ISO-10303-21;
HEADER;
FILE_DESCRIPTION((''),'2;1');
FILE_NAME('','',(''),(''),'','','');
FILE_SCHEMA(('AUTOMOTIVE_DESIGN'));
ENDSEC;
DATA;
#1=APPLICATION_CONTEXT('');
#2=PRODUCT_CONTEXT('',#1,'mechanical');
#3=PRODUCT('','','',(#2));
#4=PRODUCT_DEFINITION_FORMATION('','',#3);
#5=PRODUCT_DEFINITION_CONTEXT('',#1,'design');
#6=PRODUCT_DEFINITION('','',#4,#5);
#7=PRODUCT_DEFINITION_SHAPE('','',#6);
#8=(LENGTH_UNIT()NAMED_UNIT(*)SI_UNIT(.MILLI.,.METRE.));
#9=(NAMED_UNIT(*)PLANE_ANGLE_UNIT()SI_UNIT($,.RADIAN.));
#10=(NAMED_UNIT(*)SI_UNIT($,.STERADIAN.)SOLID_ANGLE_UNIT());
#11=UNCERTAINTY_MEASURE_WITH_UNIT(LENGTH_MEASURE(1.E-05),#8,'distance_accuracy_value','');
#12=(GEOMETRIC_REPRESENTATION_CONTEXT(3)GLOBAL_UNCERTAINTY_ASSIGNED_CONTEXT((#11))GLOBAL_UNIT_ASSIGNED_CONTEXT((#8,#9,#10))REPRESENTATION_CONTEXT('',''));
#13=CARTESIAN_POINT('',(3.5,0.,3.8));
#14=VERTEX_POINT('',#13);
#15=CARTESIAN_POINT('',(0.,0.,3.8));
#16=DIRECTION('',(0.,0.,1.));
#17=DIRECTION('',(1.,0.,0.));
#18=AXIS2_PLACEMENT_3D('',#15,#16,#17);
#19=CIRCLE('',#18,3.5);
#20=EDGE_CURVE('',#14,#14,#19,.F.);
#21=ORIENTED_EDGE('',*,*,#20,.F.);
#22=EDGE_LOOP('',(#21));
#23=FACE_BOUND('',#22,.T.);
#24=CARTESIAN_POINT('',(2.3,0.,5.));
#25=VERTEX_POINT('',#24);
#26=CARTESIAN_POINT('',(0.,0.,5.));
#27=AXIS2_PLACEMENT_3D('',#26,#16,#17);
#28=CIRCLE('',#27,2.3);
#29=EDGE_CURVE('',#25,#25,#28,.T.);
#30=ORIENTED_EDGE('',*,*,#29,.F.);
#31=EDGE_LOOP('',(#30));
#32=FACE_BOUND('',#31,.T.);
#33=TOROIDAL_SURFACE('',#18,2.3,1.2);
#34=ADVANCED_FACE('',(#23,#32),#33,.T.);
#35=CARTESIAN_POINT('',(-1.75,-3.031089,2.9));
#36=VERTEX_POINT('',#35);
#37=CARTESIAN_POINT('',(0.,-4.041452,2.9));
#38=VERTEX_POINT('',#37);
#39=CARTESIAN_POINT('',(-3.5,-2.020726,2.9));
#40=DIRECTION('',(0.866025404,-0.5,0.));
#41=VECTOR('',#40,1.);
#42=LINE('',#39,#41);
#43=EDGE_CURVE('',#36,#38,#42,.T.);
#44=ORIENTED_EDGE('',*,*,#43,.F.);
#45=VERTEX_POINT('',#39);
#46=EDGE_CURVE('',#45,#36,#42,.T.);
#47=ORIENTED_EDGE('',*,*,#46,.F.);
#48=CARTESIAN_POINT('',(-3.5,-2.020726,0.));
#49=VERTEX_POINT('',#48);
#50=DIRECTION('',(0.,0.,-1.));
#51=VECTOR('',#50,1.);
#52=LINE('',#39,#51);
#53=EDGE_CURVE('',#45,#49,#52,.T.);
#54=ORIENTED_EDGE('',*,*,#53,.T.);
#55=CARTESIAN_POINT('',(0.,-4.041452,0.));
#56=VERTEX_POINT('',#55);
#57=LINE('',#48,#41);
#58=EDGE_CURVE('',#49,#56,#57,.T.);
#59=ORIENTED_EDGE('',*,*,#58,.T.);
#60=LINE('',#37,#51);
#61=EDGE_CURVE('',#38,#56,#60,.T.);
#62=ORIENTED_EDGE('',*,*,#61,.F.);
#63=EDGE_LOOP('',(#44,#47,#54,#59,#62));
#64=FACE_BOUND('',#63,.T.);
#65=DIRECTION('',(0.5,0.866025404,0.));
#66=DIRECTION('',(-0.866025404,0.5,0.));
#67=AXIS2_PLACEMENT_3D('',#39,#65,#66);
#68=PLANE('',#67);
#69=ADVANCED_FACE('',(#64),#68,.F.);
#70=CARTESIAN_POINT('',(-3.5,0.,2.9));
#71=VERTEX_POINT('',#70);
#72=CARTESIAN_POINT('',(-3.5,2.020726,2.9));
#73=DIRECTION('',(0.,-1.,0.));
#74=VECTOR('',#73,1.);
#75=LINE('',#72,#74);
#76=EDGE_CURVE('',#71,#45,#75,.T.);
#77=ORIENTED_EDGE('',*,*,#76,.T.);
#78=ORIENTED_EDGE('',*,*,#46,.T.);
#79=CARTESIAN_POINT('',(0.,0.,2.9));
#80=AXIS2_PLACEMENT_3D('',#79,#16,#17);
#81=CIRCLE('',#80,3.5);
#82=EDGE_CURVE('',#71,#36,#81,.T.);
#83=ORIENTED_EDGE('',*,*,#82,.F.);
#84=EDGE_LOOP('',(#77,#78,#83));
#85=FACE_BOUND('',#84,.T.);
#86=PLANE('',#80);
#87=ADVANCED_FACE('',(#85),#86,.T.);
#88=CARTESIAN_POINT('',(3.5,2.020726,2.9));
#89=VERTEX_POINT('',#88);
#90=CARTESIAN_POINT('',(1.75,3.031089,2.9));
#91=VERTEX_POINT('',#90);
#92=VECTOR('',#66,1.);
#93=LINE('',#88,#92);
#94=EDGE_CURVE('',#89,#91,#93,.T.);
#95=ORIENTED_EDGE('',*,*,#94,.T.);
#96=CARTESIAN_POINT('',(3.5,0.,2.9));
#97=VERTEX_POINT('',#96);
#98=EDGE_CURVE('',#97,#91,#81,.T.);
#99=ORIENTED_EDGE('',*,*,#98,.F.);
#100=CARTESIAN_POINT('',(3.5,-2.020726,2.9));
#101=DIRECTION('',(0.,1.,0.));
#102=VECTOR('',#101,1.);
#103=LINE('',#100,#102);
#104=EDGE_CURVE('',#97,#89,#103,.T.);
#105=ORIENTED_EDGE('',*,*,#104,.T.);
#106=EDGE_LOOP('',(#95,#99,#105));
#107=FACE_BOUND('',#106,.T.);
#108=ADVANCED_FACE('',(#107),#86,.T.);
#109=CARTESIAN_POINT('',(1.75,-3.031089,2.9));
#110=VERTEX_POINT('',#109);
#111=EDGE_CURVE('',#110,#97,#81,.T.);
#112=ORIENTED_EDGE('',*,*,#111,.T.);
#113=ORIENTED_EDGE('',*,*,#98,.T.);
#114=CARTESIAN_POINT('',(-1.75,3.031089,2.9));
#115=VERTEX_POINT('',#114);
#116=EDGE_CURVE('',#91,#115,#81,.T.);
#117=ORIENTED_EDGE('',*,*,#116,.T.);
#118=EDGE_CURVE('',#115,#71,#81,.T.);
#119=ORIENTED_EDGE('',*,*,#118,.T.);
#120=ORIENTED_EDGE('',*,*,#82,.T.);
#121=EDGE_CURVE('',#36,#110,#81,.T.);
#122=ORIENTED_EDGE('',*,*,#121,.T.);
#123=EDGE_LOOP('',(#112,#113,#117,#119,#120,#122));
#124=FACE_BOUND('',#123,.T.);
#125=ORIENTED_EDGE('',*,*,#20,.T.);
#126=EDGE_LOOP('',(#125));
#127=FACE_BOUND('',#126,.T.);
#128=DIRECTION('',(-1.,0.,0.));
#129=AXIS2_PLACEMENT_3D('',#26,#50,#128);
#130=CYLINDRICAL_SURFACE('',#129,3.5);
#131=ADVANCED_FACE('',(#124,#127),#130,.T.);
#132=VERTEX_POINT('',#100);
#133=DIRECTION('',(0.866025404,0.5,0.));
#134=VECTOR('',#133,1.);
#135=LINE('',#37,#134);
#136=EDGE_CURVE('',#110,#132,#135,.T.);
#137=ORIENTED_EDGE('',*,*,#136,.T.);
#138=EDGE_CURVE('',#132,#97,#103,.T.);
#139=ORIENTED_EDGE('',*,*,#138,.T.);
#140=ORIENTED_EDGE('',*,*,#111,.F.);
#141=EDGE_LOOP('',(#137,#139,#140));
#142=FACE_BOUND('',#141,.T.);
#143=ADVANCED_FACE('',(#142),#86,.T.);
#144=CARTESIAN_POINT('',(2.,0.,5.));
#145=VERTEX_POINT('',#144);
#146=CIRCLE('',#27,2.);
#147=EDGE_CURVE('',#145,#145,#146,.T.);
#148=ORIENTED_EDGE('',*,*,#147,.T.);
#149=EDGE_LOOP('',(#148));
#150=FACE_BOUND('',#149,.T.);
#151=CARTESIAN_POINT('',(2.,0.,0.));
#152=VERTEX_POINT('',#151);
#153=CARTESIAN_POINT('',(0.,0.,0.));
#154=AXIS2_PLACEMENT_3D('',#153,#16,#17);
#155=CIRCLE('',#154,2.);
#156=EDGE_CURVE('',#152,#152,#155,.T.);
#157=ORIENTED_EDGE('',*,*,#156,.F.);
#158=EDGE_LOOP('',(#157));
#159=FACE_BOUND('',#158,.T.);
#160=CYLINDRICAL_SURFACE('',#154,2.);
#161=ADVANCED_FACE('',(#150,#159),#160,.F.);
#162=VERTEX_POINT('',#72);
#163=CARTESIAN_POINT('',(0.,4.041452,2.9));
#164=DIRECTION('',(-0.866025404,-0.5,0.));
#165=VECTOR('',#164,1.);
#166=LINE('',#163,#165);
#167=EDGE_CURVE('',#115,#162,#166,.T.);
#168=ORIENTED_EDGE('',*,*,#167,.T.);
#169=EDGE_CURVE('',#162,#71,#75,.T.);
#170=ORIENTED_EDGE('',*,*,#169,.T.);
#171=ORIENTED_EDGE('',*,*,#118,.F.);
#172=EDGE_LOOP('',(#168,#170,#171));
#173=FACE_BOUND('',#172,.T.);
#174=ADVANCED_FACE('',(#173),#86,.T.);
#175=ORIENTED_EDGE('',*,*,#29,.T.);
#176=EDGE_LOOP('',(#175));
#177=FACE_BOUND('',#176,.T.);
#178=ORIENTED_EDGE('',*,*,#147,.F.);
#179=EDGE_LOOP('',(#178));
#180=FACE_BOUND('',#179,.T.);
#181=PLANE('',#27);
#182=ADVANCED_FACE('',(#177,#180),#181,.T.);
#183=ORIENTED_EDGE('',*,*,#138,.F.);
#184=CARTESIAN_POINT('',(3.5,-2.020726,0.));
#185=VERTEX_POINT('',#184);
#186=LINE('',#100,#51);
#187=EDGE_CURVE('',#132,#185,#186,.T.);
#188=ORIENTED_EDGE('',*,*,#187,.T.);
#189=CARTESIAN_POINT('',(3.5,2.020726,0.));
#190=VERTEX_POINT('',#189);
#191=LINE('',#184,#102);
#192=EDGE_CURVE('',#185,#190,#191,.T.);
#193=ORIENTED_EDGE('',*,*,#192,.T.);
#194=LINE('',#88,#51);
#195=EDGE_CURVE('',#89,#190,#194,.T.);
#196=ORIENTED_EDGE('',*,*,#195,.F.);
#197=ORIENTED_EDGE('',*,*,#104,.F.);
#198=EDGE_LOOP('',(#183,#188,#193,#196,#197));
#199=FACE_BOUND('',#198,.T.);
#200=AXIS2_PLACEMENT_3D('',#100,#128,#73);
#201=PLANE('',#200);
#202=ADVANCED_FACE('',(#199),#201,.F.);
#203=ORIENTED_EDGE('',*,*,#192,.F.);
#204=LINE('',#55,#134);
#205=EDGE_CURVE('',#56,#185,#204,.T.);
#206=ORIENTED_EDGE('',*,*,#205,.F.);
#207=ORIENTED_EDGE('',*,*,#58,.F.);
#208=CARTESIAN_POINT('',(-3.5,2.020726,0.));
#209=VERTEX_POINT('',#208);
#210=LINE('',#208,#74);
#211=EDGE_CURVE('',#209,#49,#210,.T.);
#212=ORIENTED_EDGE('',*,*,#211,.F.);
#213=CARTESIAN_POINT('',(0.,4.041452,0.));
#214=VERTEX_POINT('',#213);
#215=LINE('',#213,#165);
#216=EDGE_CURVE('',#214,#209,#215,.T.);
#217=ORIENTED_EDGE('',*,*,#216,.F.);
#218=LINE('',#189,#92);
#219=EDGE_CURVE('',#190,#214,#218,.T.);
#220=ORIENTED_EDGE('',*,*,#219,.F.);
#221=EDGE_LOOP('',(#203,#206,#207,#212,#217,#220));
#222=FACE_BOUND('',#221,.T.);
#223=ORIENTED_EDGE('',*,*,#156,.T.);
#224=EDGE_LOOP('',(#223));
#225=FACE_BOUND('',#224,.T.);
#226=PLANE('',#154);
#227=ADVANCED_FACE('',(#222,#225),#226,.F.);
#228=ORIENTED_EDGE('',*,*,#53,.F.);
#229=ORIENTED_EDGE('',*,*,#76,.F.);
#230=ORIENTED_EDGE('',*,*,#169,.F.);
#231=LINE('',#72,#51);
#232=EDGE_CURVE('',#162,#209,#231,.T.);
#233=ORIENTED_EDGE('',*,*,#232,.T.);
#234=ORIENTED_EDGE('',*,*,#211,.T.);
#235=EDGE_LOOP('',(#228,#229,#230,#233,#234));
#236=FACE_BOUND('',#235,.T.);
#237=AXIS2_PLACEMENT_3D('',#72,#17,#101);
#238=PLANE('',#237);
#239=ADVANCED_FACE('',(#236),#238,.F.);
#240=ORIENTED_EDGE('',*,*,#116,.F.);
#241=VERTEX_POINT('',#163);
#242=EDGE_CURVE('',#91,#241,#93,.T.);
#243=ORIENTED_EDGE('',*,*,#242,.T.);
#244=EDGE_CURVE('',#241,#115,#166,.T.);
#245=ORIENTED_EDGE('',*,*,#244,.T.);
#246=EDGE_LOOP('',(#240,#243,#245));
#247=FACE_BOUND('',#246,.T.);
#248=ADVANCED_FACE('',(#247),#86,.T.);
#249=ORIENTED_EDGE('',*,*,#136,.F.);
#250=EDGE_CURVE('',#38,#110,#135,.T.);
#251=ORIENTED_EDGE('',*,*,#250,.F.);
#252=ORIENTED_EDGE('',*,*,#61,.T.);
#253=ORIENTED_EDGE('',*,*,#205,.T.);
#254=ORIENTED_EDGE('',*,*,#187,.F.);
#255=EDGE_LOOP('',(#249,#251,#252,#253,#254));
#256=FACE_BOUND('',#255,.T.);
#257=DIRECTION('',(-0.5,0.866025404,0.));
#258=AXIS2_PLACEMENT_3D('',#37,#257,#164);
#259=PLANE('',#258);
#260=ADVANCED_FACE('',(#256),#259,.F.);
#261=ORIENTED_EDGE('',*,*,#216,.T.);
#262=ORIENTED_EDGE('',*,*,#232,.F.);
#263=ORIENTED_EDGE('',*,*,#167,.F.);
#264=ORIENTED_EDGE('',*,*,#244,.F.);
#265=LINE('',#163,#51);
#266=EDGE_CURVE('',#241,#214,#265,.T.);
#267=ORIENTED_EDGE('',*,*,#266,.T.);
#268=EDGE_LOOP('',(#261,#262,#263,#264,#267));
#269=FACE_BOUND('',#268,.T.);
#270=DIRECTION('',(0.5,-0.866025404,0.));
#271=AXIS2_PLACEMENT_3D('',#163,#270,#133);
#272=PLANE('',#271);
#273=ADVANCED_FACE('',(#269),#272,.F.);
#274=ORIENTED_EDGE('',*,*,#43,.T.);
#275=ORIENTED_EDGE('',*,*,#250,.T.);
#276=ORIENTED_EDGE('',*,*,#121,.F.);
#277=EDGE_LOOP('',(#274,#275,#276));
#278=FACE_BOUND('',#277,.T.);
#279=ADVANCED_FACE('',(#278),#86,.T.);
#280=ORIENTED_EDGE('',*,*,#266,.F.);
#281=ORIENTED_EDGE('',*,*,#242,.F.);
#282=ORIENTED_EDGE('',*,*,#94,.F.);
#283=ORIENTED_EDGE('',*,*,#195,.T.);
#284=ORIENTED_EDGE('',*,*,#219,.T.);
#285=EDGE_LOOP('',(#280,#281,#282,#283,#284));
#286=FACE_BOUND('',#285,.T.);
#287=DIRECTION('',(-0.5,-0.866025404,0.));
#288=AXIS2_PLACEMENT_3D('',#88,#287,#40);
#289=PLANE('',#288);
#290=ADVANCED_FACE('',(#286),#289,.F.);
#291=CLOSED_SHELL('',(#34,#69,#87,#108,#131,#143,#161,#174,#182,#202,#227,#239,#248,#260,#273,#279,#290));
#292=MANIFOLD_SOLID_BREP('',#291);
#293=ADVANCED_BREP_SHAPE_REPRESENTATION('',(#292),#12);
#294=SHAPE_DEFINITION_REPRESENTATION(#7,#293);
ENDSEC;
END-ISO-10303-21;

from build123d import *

# Parameters (mm, degrees)
EXTRUDE_1_DEPTH     = 2.9
SKETCH_2_R          = 3.5
EXTRUDE_2_DEPTH     = 2.1
SKETCH_3_R          = 2
CUT_EXTRUDE_1_DEPTH = 8.320063752
FILLET_1_R          = 1.2


with BuildPart() as part:
    # 草图1 → 凸台-拉伸1 (new body)
    with BuildSketch(Plane.XY):
        Polygon((3.5, -2.020725942), (3.5, 2.020725942), (0, 4.041451884), (-3.5, 2.020725942), (-3.5, -2.020725942), (0, -4.041451884), align=None)
    extrude(amount=EXTRUDE_1_DEPTH)

    # 草图2 → 凸台-拉伸2 (add)
    with BuildSketch(Plane.XY.offset(2.9)):
        Circle(SKETCH_2_R)
    extrude(amount=EXTRUDE_2_DEPTH)

    # 草图3 → 切除-拉伸1 (cut, through all)
    with BuildSketch(Plane.XY.offset(5)):
        Circle(SKETCH_3_R)
    extrude(amount=-CUT_EXTRUDE_1_DEPTH, mode=Mode.SUBTRACT)

    # 圆角1
    fillet_1_edges = [part.edges().sort_by_distance(p)[0] for p in [
        (-3.5, 0, 5),
    ]]
    fillet(fillet_1_edges, radius=FILLET_1_R)


solid = part.part
